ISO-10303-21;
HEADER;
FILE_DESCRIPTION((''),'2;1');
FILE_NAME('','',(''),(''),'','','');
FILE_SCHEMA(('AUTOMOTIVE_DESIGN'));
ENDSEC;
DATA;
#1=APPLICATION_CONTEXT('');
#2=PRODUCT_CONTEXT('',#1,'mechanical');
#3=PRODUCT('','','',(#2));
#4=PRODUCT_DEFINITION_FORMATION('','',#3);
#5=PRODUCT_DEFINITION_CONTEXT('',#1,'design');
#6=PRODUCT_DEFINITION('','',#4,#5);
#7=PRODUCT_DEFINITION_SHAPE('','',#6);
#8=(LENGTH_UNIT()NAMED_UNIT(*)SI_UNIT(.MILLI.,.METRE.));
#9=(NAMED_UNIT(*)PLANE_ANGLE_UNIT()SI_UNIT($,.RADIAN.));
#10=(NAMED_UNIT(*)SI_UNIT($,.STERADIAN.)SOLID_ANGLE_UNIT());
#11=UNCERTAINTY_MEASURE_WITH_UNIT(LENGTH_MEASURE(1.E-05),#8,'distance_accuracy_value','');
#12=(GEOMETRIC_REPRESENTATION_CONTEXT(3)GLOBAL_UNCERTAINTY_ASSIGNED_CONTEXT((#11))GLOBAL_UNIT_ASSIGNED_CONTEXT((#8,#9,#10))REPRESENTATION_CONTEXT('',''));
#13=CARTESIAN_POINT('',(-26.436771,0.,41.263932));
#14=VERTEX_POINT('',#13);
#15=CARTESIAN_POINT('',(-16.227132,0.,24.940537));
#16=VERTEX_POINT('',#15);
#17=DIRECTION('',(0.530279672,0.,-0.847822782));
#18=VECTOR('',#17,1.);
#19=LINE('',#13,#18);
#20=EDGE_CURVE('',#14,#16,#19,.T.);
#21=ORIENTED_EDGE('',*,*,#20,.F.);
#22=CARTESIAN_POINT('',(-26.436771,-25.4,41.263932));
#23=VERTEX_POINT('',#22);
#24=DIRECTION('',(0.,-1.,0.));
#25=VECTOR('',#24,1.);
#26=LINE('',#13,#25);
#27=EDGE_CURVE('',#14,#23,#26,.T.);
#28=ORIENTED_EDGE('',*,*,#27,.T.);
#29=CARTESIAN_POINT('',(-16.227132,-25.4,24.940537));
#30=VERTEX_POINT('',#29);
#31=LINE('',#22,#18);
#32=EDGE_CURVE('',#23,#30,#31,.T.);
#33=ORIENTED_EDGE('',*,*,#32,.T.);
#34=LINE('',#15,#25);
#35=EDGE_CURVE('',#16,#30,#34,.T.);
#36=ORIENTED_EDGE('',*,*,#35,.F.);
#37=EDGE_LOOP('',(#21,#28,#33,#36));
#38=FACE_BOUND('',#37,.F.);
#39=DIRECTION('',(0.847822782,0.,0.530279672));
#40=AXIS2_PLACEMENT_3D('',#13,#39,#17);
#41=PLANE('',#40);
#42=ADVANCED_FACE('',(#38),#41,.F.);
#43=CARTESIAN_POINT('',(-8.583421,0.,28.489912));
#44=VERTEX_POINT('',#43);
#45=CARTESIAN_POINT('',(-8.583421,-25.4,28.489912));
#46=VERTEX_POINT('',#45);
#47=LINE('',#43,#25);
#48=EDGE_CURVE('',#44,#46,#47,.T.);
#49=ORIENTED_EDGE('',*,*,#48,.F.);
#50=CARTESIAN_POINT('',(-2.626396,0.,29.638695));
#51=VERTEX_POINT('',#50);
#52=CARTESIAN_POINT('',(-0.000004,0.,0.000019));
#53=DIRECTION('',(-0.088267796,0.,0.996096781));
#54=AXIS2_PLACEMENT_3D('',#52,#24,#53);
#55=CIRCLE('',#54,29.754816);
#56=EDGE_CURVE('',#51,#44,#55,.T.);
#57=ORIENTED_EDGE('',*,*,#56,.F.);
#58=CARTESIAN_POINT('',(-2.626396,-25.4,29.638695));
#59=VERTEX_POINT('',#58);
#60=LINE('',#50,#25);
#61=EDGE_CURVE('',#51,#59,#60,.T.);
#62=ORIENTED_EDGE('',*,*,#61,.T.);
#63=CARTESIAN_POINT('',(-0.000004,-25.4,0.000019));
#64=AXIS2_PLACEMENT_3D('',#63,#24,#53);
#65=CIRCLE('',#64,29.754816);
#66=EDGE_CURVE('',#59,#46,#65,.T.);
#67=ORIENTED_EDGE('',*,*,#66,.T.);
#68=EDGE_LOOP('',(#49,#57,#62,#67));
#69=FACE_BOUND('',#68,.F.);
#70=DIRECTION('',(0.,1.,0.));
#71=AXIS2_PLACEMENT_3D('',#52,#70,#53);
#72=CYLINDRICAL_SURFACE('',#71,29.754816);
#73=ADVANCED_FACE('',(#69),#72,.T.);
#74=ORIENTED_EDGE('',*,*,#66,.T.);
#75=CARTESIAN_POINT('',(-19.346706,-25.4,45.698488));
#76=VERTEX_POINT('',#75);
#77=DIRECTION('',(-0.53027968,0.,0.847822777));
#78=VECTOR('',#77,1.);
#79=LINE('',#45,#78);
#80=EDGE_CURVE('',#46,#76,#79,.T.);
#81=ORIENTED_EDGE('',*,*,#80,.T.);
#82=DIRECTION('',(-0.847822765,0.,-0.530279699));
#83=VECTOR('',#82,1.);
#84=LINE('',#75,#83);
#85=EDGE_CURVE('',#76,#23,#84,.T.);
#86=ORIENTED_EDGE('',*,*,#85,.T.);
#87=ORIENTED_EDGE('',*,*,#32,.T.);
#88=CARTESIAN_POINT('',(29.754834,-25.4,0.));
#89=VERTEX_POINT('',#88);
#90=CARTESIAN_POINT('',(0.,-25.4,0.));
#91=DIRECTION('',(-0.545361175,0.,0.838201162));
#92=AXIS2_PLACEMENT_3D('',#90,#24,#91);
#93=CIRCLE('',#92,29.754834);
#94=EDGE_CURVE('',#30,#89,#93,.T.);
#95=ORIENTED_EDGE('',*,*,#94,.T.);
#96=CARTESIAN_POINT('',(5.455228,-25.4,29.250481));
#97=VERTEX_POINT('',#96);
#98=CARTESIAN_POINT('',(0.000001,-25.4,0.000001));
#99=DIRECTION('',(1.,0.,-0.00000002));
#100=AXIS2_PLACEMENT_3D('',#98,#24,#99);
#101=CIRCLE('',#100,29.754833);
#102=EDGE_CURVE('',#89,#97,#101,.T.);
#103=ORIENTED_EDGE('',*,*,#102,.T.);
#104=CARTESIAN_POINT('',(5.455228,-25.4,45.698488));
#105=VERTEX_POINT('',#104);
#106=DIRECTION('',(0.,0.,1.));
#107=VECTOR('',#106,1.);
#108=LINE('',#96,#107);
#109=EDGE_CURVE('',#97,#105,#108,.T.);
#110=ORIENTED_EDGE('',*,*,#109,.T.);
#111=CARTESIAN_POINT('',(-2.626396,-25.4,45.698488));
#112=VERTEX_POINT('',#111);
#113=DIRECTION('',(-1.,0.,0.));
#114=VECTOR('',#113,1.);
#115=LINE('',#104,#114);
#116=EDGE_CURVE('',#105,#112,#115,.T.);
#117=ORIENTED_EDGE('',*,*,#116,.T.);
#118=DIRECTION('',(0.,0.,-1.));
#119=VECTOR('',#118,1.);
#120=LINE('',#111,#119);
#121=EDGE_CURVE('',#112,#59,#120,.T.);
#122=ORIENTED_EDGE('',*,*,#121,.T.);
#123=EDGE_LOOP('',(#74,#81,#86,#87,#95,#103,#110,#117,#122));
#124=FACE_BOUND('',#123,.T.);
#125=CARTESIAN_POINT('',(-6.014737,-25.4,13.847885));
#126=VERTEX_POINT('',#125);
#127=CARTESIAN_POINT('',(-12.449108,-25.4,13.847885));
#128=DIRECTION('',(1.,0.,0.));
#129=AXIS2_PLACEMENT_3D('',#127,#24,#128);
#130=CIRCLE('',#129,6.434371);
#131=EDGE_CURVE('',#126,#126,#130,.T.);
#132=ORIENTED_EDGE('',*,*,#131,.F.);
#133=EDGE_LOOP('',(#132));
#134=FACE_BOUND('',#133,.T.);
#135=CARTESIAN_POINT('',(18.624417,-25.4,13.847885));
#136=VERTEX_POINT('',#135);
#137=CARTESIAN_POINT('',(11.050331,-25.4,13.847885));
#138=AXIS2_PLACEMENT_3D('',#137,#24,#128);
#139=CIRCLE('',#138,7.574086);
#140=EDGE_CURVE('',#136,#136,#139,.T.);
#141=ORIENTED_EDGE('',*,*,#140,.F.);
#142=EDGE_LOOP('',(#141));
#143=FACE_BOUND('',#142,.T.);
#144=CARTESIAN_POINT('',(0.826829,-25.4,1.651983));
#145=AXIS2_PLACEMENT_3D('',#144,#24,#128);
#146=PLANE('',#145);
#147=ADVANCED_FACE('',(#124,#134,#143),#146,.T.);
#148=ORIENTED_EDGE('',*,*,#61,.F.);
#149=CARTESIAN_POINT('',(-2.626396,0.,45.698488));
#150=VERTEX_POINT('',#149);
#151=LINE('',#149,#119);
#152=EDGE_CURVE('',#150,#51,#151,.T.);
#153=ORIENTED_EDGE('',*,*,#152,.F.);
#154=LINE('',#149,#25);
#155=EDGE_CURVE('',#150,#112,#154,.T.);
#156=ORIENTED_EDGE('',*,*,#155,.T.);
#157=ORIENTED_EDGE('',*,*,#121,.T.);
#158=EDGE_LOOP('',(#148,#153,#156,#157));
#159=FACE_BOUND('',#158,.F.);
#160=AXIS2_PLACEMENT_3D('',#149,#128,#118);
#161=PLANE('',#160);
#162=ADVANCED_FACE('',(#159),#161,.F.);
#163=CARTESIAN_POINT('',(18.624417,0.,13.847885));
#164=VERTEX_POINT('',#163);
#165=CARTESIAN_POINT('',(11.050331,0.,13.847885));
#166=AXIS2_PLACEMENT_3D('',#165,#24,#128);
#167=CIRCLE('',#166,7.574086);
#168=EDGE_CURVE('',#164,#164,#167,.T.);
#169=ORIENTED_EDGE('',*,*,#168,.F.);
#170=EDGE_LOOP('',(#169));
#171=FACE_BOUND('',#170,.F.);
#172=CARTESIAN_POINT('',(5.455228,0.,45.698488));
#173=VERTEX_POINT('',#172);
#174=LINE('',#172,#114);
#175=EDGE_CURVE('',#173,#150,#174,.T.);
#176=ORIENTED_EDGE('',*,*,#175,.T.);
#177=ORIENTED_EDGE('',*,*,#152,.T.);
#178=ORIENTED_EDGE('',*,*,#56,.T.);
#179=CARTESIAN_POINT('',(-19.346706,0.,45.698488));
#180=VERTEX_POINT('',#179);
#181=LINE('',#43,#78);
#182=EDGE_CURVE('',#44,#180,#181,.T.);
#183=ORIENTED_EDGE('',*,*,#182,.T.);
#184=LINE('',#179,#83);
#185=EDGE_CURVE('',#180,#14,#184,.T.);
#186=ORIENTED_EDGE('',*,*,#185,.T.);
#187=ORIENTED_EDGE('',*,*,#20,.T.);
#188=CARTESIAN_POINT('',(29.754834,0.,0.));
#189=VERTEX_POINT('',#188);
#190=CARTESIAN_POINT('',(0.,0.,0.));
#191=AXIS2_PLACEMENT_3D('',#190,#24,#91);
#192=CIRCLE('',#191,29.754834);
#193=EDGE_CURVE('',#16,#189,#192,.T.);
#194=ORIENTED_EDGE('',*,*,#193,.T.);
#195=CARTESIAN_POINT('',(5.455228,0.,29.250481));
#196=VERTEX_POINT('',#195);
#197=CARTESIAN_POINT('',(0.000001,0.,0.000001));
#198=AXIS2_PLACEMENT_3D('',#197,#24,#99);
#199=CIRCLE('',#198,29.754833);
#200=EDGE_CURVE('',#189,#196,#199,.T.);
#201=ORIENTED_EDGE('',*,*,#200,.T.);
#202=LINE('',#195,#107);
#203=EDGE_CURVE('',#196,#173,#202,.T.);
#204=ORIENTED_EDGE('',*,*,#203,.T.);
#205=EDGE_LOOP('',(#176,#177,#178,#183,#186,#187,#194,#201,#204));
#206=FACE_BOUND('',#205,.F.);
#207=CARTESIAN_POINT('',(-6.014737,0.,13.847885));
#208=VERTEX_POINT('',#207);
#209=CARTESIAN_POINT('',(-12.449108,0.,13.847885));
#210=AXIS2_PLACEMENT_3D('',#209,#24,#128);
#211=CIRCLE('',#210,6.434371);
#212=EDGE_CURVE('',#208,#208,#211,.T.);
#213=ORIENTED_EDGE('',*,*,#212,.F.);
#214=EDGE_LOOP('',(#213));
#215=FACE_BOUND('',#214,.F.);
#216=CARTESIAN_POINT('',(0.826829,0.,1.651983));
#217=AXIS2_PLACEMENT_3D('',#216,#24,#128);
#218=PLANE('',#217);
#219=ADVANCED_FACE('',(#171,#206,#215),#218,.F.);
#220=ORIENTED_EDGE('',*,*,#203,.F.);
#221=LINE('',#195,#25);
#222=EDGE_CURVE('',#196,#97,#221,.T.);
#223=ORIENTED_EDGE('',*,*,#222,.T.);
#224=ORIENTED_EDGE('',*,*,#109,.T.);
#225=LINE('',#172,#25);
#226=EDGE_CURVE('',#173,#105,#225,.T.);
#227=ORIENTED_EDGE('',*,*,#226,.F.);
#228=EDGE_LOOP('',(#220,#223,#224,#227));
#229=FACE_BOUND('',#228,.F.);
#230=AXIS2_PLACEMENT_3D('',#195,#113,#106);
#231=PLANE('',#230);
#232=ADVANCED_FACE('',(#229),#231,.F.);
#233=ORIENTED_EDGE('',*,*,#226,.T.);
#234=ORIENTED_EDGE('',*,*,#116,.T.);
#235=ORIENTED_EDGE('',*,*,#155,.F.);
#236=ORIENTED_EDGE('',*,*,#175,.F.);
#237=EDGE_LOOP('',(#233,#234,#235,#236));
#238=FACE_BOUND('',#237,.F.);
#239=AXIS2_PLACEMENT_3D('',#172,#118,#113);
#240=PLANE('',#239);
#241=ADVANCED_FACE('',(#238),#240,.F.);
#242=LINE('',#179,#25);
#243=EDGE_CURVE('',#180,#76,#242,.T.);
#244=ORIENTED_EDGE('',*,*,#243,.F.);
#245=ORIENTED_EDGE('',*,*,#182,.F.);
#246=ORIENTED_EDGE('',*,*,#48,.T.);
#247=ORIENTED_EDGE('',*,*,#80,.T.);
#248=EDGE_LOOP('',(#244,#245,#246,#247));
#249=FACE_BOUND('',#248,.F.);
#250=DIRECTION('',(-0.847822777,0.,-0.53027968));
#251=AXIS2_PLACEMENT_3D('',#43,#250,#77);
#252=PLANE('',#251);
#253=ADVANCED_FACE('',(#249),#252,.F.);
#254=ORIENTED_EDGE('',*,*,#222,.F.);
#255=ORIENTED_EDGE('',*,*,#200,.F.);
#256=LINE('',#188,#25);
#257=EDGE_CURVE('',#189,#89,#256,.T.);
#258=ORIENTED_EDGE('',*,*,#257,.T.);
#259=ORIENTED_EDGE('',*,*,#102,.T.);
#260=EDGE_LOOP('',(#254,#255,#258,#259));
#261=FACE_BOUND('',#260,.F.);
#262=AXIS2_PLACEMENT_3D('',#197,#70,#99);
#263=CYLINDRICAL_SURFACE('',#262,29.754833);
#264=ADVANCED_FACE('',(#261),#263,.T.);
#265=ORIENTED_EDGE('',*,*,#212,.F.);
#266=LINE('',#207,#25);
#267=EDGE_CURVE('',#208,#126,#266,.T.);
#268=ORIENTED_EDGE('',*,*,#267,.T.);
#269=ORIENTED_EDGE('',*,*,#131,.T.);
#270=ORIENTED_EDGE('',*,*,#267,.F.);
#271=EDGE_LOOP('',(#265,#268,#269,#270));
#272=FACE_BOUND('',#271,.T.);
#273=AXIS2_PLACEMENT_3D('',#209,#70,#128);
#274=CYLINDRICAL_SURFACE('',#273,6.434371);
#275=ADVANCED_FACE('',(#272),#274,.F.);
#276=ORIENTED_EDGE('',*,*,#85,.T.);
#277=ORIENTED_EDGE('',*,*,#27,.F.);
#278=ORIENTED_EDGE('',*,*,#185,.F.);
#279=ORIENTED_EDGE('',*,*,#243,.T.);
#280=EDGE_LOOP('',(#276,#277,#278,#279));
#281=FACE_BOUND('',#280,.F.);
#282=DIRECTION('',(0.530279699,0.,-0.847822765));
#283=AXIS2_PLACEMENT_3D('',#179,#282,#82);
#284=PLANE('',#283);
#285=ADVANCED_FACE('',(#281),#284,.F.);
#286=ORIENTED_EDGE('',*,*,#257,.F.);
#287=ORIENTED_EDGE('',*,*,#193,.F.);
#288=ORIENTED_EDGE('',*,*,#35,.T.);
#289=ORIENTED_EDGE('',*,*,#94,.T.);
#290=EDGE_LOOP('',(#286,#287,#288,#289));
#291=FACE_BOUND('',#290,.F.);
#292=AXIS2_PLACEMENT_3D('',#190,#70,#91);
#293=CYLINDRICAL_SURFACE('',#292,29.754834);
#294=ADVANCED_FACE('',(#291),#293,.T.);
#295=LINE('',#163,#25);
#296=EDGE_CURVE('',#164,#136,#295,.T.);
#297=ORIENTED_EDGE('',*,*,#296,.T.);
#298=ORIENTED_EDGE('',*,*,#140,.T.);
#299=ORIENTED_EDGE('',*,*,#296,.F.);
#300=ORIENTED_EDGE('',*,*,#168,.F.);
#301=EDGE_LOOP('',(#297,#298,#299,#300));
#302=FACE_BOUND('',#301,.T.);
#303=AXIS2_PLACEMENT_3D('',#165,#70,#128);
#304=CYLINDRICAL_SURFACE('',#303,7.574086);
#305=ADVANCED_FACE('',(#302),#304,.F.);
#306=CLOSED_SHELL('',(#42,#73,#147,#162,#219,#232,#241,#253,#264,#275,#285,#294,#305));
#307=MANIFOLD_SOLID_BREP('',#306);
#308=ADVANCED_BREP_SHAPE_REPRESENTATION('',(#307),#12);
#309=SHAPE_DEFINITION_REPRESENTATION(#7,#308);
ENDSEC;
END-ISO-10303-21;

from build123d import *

# Parameters (mm, degrees)
F0_R     = 6.434371
F0_R_2   = 7.574086
F1_DEPTH = 25.4
F2_W     = 3.636818
F2_H     = 3.357063
F2_W_2   = 13.428252
F2_W_3   = 5.315348
F3_DEPTH = 25.4


with BuildPart() as f1:
    # F0 (on Front) → F1 (new body)
    with BuildSketch(Plane.XZ):
        with BuildLine():
            ThreePointArc((-16.227132, 24.940537), (-14.186517, -26.15517), (29.754834, 0))
            ThreePointArc((29.754834, 0), (22.887437, 19.013558), (5.455228, 29.250481))
            ThreePointArc((5.455228, 29.250481), (1.427673, 29.720564), (-2.626396, 29.638695))
            ThreePointArc((-2.626396, 29.638695), (-5.634264, 29.216524), (-8.583421, 28.489912))
            ThreePointArc((-8.583421, 28.489912), (-12.531576, 26.987215), (-16.227132, 24.940537))
        make_face()
        with Locations((-12.449108, 13.847885)):
            Circle(F0_R, mode=Mode.SUBTRACT)
        with Locations((11.050331, 13.847885)):
            Circle(F0_R_2, mode=Mode.SUBTRACT)
        with BuildLine():
            ThreePointArc((-2.626396, 29.638695), (1.427673, 29.720564), (5.455228, 29.250481))
            Line((5.455228, 29.250481), (5.455228, 45.698488))
            Line((5.455228, 45.698488), (-2.626396, 45.698488))
            Line((-2.626396, 45.698488), (-2.626396, 29.638695))
        make_face()
        with BuildLine():
            Line((-26.436771, 41.263932), (-16.227132, 24.940537))
            ThreePointArc((-16.227132, 24.940537), (-12.531576, 26.987215), (-8.583421, 28.489912))
            Line((-8.583421, 28.489912), (-19.346706, 45.698488))
            Line((-19.346706, 45.698488), (-26.436771, 41.263932))
        make_face()
    extrude(amount=F1_DEPTH)

    # F2 (on Front) → F3 (join)
    with BuildSketch(Plane.XZ):
        with Locations((-8.112902, -10.770577)):
            Rectangle(F2_W, F2_H)
        with Locations((0.419633, -10.770577)):
            Rectangle(F2_W_2, F2_H)
        with Locations((9.791433, -10.770577)):
            Rectangle(F2_W_3, F2_H)
        Polygon((0, 0), (0, 11.609843), (-7.13376, 0), align=None)
    extrude(amount=F3_DEPTH)


solid = f1.part
